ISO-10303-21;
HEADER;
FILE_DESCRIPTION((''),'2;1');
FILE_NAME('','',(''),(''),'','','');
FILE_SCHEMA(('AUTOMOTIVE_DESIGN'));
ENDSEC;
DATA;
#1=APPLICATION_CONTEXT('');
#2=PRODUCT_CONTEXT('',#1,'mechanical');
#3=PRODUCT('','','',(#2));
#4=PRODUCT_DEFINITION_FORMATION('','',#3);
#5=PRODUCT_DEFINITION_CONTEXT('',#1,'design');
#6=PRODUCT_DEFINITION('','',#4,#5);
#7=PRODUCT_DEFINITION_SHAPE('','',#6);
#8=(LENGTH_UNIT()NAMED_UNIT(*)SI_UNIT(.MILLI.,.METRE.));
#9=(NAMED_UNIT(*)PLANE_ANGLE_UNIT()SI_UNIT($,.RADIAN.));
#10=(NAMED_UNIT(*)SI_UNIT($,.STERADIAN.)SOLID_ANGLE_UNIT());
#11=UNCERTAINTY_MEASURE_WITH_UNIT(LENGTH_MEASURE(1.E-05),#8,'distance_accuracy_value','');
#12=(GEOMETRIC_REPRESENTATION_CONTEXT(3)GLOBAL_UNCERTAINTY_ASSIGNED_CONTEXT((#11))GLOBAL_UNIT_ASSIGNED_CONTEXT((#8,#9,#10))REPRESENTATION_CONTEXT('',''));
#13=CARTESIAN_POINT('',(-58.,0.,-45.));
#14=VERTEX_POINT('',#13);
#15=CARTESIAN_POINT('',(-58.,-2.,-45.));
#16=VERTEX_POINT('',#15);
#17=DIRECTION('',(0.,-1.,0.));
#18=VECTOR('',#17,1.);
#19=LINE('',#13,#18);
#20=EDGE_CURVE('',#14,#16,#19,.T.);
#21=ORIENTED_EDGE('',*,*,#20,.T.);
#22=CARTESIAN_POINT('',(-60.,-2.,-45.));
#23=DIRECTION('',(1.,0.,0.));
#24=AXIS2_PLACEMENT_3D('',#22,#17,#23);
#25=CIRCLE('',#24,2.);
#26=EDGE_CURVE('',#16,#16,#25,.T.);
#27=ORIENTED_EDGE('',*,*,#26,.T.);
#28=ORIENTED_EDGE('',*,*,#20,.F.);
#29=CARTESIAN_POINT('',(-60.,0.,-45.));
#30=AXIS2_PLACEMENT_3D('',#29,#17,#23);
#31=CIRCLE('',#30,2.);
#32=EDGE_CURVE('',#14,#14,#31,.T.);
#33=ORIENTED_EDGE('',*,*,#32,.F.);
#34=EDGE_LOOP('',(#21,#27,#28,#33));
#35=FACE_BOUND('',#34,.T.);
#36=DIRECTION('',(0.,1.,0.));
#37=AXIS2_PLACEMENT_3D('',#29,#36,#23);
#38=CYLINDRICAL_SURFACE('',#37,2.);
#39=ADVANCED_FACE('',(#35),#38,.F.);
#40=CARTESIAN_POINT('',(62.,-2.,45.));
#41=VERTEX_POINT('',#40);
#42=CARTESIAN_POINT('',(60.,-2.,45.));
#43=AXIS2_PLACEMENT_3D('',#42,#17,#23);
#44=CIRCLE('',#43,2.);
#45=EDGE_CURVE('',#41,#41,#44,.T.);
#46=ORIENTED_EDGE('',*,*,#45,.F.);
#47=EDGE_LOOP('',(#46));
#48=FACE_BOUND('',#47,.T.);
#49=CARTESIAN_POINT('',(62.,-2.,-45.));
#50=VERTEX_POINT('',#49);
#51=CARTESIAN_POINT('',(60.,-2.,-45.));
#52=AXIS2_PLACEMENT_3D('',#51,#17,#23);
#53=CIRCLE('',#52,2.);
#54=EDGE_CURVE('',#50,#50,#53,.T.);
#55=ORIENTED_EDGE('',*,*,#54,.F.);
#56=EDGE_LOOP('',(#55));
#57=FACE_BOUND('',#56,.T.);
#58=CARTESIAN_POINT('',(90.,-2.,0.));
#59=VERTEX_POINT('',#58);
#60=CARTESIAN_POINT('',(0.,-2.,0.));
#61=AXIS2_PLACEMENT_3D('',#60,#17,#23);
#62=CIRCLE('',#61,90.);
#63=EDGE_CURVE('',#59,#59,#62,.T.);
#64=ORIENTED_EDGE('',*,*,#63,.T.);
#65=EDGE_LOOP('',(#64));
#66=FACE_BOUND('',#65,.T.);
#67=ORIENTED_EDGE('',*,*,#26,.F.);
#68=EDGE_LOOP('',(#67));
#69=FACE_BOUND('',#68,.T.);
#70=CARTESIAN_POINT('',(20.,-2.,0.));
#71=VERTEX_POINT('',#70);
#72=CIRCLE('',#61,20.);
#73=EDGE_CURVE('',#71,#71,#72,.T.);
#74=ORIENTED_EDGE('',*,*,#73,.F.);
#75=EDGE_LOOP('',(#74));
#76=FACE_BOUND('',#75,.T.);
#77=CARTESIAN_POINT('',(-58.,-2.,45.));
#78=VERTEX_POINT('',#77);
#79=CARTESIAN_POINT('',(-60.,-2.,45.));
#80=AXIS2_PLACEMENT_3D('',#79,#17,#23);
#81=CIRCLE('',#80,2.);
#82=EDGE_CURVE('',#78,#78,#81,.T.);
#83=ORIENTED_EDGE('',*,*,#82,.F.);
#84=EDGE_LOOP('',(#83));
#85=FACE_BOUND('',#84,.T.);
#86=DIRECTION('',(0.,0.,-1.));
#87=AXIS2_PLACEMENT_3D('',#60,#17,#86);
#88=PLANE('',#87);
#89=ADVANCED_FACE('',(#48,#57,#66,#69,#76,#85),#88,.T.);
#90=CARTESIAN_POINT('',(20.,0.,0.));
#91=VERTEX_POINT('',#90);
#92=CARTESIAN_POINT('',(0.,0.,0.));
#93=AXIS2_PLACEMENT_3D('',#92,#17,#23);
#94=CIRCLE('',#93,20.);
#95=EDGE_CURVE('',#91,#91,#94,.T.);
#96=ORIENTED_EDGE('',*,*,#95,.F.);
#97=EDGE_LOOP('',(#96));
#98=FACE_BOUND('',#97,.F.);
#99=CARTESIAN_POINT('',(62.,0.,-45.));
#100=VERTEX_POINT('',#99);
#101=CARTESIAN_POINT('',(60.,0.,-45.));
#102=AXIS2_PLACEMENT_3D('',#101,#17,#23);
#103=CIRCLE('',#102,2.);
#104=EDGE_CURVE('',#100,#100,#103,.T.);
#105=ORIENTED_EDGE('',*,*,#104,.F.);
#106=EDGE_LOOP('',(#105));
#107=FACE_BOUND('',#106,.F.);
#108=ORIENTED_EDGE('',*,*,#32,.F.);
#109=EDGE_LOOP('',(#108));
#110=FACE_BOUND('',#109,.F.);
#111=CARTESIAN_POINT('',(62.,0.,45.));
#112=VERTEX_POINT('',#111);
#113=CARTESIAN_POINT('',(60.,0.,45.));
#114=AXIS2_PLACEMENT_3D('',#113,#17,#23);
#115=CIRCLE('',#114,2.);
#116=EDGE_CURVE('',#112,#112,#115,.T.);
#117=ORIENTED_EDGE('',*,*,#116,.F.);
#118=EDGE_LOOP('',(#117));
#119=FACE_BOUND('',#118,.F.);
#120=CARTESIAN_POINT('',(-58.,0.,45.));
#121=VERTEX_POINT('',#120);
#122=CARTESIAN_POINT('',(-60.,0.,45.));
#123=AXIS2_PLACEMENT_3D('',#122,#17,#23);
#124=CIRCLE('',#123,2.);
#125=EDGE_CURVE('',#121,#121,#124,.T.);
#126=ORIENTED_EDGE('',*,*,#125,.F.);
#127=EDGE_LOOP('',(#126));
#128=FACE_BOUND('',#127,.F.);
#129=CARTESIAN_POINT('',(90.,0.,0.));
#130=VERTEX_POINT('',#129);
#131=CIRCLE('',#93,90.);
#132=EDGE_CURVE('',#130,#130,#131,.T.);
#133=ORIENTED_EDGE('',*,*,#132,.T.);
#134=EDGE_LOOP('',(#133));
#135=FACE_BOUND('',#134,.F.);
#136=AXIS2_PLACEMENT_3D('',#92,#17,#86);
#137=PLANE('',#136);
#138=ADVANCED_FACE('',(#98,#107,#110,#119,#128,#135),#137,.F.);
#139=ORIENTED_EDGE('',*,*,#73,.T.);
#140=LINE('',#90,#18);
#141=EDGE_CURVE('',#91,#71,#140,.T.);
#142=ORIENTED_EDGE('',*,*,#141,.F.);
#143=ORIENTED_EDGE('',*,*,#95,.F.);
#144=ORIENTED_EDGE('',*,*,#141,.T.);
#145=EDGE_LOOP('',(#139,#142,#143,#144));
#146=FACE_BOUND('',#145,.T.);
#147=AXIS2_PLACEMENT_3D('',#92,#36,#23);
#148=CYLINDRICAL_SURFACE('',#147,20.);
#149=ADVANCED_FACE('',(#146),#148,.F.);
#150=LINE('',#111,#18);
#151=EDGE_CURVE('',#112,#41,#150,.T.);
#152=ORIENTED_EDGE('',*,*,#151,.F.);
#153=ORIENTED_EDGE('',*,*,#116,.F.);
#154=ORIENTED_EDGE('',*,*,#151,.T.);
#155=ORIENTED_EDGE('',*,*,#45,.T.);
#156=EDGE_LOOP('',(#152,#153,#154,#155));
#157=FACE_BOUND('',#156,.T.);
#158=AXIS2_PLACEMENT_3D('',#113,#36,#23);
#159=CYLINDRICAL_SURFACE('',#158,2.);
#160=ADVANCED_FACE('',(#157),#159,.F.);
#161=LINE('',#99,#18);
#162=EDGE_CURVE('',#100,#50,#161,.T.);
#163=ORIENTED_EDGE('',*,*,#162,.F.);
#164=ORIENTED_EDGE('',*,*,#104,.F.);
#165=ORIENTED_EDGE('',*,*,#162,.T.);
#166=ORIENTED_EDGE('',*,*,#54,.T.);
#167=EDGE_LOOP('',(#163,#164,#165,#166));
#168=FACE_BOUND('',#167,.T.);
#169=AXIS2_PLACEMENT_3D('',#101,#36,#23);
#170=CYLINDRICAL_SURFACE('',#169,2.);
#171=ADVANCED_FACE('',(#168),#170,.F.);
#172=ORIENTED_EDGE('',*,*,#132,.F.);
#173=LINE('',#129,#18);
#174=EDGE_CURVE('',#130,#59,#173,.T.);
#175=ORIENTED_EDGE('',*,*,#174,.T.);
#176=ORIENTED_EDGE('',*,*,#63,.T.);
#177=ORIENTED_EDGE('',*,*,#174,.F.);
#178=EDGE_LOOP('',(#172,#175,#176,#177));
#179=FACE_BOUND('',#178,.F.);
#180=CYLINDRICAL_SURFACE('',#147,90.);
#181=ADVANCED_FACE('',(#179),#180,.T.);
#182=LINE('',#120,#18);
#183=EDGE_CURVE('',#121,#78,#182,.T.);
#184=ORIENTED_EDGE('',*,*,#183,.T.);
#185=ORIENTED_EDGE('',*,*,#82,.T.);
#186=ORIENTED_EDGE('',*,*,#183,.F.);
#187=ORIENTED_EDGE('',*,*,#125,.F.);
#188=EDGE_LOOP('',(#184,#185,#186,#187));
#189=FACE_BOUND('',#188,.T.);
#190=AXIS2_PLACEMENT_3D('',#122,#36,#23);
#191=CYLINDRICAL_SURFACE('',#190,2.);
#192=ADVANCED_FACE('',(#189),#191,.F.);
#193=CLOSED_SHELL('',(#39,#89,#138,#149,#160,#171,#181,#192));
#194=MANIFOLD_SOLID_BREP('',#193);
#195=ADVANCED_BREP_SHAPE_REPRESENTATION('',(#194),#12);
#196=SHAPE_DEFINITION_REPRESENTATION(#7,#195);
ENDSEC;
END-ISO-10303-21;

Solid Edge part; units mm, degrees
sketch "Sketch1" plane through (0, 0, 0) normal (0, -1, 0) x (1, 0, 0)
  circle A0 centre (60, 45) radius 2
  circle A1 centre (0, 0) radius 20
  circle A2 centre (0, 0) radius 90
  circle A3 centre (60, -45) radius 2
  circle A4 centre (-60, 45) radius 2
  circle A5 centre (-60, -45) radius 2
extrude "Protrusion1" add sketch "Sketch1" along normal blind 2
